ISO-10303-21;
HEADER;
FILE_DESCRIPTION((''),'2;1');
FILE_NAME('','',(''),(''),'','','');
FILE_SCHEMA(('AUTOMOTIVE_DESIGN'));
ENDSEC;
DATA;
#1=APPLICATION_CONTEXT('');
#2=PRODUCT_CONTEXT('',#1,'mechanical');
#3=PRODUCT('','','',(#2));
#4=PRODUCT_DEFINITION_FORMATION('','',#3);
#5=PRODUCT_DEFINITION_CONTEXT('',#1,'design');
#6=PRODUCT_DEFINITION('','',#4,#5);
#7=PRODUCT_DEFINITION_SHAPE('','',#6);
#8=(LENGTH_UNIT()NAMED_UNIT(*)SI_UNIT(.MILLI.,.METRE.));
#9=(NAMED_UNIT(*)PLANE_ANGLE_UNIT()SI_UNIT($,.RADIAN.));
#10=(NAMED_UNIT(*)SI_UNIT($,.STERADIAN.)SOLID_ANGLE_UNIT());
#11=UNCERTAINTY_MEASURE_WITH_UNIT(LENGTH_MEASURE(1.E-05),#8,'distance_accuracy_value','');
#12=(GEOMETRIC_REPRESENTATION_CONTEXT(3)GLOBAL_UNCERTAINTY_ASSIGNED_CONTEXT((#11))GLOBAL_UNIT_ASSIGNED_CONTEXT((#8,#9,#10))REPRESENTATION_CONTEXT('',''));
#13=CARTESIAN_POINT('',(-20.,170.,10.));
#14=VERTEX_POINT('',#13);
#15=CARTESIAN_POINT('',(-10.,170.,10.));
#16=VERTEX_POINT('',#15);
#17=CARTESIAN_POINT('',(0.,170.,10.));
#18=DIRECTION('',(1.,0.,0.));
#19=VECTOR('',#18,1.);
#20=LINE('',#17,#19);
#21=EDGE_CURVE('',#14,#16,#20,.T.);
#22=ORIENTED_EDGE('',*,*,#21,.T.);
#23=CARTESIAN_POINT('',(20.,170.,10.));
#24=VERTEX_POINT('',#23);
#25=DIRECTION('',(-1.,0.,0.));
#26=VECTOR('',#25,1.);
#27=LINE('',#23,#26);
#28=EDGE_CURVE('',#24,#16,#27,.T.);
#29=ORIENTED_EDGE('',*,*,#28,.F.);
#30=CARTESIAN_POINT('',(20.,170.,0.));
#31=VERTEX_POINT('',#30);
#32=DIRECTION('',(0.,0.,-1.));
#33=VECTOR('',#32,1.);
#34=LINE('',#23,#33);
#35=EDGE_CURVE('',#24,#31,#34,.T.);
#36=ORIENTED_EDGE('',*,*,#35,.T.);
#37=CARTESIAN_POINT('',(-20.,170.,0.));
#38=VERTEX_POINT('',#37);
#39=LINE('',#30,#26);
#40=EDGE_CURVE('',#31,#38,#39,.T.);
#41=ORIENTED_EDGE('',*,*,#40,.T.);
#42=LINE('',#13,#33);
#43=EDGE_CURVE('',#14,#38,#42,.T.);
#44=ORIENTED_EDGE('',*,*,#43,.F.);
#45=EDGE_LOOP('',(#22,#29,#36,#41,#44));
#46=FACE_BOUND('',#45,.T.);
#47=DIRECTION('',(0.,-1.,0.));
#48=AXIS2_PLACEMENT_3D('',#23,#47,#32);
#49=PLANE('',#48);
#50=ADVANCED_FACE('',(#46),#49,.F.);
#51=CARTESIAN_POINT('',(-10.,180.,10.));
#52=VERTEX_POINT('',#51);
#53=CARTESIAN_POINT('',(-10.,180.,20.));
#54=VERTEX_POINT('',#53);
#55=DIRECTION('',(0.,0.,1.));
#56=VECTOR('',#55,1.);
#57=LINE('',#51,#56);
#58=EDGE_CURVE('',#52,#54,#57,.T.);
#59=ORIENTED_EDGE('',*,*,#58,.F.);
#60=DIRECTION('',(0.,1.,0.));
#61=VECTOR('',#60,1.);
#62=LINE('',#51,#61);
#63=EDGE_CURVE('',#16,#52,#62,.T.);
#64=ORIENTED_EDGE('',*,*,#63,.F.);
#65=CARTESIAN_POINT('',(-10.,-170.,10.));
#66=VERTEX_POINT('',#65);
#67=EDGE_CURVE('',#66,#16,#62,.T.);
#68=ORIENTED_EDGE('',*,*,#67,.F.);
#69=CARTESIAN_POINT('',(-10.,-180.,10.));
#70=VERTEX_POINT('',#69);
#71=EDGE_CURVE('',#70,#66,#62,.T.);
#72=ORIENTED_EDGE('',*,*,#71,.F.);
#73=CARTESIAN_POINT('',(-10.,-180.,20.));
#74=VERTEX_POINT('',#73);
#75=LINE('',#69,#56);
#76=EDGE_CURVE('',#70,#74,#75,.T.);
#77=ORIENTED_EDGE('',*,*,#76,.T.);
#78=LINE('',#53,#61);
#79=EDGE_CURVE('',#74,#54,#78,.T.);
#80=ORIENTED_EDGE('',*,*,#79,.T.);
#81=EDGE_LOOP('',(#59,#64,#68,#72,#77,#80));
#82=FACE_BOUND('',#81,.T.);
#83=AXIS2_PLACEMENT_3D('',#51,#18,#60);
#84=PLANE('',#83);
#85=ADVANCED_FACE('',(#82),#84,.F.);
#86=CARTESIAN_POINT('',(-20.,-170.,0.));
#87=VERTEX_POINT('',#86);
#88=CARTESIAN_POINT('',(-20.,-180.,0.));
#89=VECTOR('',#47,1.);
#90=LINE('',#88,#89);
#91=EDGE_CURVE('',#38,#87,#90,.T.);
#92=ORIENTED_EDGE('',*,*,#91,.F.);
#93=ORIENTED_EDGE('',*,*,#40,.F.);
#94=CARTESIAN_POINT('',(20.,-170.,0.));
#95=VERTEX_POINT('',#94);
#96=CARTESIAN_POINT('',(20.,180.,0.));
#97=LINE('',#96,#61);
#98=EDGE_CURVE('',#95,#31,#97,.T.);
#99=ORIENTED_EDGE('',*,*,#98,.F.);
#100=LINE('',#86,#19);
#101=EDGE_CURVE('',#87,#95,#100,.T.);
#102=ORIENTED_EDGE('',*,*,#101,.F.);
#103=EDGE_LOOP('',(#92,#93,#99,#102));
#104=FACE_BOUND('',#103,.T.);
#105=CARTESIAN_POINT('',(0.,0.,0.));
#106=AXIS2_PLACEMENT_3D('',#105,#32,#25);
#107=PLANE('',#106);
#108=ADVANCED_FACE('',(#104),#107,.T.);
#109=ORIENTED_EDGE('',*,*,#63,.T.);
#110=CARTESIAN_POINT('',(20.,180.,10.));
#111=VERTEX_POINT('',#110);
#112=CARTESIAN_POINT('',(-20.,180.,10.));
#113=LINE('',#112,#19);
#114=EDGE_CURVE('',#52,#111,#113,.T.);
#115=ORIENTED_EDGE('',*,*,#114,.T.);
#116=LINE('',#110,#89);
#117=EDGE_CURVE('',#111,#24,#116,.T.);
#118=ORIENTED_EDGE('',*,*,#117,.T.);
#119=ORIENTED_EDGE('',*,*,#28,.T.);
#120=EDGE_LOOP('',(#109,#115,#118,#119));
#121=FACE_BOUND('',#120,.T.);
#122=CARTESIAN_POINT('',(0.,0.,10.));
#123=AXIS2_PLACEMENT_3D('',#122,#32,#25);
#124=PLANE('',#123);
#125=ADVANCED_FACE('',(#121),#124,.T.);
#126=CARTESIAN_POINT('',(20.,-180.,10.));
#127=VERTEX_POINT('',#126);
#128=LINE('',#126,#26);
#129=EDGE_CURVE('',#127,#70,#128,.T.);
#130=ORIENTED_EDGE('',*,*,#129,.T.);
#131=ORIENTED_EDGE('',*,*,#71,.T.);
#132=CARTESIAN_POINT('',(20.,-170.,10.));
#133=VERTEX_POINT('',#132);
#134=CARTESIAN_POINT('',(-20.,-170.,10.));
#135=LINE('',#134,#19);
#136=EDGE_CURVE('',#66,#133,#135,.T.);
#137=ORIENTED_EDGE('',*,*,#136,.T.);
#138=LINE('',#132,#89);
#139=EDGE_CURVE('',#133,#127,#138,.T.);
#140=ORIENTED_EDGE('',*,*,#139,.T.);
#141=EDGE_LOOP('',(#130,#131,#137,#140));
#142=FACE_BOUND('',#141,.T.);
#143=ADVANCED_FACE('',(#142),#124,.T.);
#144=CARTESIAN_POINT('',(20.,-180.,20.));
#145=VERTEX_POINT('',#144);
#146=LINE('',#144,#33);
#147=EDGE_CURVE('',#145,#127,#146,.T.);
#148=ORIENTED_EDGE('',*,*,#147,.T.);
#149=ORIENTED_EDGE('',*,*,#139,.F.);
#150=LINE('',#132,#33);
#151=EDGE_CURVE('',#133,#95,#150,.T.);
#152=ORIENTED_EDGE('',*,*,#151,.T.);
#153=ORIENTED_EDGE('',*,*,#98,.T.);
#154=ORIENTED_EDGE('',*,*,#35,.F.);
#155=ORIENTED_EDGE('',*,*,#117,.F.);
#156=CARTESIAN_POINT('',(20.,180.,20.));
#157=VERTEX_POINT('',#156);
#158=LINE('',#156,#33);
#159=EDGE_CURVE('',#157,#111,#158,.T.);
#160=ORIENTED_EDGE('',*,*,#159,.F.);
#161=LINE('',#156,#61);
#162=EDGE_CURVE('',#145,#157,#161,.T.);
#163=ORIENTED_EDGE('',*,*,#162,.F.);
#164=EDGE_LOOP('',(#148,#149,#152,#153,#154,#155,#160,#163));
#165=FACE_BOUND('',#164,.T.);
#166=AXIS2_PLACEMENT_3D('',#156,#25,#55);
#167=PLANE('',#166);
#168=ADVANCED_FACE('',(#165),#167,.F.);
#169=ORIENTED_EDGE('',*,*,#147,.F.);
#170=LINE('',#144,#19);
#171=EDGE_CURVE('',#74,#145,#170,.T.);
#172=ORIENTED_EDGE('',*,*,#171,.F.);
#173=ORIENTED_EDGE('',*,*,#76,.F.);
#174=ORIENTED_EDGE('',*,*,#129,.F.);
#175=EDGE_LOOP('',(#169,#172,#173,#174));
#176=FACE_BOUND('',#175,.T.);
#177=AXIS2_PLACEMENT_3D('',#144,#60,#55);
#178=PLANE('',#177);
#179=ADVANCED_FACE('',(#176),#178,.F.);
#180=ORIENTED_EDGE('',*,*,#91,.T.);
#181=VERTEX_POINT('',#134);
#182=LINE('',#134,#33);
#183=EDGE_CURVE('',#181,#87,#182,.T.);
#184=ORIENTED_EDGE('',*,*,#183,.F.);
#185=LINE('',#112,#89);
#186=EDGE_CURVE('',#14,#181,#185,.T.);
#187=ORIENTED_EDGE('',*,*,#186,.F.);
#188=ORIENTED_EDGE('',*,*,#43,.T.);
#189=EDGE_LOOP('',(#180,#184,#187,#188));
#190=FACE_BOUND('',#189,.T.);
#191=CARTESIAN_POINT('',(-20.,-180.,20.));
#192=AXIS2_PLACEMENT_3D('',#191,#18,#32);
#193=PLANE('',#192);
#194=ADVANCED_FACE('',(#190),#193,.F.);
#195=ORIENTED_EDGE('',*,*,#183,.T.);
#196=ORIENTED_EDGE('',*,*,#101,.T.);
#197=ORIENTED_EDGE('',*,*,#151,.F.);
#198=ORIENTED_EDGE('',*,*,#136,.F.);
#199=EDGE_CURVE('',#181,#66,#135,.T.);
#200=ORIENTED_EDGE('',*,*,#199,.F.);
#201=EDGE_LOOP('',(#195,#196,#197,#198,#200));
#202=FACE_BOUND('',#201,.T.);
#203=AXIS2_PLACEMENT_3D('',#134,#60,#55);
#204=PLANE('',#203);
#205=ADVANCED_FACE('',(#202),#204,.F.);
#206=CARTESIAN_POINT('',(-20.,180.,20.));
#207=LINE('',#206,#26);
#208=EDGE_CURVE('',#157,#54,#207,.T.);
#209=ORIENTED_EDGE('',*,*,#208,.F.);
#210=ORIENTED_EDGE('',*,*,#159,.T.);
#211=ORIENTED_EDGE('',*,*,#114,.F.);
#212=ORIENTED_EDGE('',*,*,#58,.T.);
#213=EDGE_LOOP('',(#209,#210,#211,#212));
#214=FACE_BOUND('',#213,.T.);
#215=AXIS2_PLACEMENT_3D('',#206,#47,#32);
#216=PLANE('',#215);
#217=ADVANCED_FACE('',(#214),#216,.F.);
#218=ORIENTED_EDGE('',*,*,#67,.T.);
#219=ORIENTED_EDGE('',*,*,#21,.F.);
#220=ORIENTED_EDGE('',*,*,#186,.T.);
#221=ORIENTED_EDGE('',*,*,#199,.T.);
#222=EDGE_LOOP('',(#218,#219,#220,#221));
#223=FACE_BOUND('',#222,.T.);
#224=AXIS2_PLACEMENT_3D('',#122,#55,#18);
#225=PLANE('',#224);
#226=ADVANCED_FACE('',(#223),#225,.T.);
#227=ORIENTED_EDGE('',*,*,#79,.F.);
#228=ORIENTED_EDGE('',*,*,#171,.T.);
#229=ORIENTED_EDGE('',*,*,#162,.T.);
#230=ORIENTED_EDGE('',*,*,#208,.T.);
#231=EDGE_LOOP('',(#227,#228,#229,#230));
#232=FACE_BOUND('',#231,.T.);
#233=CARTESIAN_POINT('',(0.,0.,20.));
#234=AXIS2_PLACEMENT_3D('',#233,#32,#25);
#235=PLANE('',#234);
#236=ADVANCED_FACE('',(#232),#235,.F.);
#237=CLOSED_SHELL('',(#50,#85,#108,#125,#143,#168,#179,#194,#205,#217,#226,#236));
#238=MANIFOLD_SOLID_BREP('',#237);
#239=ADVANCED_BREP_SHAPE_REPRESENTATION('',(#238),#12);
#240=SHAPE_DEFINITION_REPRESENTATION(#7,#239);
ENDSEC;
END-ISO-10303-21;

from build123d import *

# Parameters (mm, degrees)
SKETCH1_W           = 40
SKETCH1_H           = 360
BOSS_EXTRUDE1_DEPTH = 20
SKETCH2_W           = 10
SKETCH2_H           = 360
CUT_EXTRUDE1_DEPTH  = 10
SKETCH3_W           = 40
SKETCH3_H           = 10
CUT_EXTRUDE2_DEPTH  = 10


with BuildPart() as part:
    # Sketch1 → Boss-Extrude1 (new body)
    with BuildSketch(Plane.XY):
        Rectangle(SKETCH1_W, SKETCH1_H)
    extrude(amount=BOSS_EXTRUDE1_DEPTH)

    # Sketch2 → Cut-Extrude1 (cut)
    with BuildSketch(Plane.XY.offset(20)):
        with Locations((-15, 0)):
            Rectangle(SKETCH2_W, SKETCH2_H)
    extrude(amount=-CUT_EXTRUDE1_DEPTH, mode=Mode.SUBTRACT)

    # Sketch3 → Cut-Extrude2 (cut)
    with BuildSketch(Plane(origin=(0, 0, 0), x_dir=(-1, 0, 0), z_dir=(0, 0, -1))):
        with Locations((0, 175)):
            Rectangle(SKETCH3_W, SKETCH3_H)
        with Locations((0, -175)):
            Rectangle(SKETCH3_W, SKETCH3_H)
    extrude(amount=-CUT_EXTRUDE2_DEPTH, mode=Mode.SUBTRACT)


solid = part.part
